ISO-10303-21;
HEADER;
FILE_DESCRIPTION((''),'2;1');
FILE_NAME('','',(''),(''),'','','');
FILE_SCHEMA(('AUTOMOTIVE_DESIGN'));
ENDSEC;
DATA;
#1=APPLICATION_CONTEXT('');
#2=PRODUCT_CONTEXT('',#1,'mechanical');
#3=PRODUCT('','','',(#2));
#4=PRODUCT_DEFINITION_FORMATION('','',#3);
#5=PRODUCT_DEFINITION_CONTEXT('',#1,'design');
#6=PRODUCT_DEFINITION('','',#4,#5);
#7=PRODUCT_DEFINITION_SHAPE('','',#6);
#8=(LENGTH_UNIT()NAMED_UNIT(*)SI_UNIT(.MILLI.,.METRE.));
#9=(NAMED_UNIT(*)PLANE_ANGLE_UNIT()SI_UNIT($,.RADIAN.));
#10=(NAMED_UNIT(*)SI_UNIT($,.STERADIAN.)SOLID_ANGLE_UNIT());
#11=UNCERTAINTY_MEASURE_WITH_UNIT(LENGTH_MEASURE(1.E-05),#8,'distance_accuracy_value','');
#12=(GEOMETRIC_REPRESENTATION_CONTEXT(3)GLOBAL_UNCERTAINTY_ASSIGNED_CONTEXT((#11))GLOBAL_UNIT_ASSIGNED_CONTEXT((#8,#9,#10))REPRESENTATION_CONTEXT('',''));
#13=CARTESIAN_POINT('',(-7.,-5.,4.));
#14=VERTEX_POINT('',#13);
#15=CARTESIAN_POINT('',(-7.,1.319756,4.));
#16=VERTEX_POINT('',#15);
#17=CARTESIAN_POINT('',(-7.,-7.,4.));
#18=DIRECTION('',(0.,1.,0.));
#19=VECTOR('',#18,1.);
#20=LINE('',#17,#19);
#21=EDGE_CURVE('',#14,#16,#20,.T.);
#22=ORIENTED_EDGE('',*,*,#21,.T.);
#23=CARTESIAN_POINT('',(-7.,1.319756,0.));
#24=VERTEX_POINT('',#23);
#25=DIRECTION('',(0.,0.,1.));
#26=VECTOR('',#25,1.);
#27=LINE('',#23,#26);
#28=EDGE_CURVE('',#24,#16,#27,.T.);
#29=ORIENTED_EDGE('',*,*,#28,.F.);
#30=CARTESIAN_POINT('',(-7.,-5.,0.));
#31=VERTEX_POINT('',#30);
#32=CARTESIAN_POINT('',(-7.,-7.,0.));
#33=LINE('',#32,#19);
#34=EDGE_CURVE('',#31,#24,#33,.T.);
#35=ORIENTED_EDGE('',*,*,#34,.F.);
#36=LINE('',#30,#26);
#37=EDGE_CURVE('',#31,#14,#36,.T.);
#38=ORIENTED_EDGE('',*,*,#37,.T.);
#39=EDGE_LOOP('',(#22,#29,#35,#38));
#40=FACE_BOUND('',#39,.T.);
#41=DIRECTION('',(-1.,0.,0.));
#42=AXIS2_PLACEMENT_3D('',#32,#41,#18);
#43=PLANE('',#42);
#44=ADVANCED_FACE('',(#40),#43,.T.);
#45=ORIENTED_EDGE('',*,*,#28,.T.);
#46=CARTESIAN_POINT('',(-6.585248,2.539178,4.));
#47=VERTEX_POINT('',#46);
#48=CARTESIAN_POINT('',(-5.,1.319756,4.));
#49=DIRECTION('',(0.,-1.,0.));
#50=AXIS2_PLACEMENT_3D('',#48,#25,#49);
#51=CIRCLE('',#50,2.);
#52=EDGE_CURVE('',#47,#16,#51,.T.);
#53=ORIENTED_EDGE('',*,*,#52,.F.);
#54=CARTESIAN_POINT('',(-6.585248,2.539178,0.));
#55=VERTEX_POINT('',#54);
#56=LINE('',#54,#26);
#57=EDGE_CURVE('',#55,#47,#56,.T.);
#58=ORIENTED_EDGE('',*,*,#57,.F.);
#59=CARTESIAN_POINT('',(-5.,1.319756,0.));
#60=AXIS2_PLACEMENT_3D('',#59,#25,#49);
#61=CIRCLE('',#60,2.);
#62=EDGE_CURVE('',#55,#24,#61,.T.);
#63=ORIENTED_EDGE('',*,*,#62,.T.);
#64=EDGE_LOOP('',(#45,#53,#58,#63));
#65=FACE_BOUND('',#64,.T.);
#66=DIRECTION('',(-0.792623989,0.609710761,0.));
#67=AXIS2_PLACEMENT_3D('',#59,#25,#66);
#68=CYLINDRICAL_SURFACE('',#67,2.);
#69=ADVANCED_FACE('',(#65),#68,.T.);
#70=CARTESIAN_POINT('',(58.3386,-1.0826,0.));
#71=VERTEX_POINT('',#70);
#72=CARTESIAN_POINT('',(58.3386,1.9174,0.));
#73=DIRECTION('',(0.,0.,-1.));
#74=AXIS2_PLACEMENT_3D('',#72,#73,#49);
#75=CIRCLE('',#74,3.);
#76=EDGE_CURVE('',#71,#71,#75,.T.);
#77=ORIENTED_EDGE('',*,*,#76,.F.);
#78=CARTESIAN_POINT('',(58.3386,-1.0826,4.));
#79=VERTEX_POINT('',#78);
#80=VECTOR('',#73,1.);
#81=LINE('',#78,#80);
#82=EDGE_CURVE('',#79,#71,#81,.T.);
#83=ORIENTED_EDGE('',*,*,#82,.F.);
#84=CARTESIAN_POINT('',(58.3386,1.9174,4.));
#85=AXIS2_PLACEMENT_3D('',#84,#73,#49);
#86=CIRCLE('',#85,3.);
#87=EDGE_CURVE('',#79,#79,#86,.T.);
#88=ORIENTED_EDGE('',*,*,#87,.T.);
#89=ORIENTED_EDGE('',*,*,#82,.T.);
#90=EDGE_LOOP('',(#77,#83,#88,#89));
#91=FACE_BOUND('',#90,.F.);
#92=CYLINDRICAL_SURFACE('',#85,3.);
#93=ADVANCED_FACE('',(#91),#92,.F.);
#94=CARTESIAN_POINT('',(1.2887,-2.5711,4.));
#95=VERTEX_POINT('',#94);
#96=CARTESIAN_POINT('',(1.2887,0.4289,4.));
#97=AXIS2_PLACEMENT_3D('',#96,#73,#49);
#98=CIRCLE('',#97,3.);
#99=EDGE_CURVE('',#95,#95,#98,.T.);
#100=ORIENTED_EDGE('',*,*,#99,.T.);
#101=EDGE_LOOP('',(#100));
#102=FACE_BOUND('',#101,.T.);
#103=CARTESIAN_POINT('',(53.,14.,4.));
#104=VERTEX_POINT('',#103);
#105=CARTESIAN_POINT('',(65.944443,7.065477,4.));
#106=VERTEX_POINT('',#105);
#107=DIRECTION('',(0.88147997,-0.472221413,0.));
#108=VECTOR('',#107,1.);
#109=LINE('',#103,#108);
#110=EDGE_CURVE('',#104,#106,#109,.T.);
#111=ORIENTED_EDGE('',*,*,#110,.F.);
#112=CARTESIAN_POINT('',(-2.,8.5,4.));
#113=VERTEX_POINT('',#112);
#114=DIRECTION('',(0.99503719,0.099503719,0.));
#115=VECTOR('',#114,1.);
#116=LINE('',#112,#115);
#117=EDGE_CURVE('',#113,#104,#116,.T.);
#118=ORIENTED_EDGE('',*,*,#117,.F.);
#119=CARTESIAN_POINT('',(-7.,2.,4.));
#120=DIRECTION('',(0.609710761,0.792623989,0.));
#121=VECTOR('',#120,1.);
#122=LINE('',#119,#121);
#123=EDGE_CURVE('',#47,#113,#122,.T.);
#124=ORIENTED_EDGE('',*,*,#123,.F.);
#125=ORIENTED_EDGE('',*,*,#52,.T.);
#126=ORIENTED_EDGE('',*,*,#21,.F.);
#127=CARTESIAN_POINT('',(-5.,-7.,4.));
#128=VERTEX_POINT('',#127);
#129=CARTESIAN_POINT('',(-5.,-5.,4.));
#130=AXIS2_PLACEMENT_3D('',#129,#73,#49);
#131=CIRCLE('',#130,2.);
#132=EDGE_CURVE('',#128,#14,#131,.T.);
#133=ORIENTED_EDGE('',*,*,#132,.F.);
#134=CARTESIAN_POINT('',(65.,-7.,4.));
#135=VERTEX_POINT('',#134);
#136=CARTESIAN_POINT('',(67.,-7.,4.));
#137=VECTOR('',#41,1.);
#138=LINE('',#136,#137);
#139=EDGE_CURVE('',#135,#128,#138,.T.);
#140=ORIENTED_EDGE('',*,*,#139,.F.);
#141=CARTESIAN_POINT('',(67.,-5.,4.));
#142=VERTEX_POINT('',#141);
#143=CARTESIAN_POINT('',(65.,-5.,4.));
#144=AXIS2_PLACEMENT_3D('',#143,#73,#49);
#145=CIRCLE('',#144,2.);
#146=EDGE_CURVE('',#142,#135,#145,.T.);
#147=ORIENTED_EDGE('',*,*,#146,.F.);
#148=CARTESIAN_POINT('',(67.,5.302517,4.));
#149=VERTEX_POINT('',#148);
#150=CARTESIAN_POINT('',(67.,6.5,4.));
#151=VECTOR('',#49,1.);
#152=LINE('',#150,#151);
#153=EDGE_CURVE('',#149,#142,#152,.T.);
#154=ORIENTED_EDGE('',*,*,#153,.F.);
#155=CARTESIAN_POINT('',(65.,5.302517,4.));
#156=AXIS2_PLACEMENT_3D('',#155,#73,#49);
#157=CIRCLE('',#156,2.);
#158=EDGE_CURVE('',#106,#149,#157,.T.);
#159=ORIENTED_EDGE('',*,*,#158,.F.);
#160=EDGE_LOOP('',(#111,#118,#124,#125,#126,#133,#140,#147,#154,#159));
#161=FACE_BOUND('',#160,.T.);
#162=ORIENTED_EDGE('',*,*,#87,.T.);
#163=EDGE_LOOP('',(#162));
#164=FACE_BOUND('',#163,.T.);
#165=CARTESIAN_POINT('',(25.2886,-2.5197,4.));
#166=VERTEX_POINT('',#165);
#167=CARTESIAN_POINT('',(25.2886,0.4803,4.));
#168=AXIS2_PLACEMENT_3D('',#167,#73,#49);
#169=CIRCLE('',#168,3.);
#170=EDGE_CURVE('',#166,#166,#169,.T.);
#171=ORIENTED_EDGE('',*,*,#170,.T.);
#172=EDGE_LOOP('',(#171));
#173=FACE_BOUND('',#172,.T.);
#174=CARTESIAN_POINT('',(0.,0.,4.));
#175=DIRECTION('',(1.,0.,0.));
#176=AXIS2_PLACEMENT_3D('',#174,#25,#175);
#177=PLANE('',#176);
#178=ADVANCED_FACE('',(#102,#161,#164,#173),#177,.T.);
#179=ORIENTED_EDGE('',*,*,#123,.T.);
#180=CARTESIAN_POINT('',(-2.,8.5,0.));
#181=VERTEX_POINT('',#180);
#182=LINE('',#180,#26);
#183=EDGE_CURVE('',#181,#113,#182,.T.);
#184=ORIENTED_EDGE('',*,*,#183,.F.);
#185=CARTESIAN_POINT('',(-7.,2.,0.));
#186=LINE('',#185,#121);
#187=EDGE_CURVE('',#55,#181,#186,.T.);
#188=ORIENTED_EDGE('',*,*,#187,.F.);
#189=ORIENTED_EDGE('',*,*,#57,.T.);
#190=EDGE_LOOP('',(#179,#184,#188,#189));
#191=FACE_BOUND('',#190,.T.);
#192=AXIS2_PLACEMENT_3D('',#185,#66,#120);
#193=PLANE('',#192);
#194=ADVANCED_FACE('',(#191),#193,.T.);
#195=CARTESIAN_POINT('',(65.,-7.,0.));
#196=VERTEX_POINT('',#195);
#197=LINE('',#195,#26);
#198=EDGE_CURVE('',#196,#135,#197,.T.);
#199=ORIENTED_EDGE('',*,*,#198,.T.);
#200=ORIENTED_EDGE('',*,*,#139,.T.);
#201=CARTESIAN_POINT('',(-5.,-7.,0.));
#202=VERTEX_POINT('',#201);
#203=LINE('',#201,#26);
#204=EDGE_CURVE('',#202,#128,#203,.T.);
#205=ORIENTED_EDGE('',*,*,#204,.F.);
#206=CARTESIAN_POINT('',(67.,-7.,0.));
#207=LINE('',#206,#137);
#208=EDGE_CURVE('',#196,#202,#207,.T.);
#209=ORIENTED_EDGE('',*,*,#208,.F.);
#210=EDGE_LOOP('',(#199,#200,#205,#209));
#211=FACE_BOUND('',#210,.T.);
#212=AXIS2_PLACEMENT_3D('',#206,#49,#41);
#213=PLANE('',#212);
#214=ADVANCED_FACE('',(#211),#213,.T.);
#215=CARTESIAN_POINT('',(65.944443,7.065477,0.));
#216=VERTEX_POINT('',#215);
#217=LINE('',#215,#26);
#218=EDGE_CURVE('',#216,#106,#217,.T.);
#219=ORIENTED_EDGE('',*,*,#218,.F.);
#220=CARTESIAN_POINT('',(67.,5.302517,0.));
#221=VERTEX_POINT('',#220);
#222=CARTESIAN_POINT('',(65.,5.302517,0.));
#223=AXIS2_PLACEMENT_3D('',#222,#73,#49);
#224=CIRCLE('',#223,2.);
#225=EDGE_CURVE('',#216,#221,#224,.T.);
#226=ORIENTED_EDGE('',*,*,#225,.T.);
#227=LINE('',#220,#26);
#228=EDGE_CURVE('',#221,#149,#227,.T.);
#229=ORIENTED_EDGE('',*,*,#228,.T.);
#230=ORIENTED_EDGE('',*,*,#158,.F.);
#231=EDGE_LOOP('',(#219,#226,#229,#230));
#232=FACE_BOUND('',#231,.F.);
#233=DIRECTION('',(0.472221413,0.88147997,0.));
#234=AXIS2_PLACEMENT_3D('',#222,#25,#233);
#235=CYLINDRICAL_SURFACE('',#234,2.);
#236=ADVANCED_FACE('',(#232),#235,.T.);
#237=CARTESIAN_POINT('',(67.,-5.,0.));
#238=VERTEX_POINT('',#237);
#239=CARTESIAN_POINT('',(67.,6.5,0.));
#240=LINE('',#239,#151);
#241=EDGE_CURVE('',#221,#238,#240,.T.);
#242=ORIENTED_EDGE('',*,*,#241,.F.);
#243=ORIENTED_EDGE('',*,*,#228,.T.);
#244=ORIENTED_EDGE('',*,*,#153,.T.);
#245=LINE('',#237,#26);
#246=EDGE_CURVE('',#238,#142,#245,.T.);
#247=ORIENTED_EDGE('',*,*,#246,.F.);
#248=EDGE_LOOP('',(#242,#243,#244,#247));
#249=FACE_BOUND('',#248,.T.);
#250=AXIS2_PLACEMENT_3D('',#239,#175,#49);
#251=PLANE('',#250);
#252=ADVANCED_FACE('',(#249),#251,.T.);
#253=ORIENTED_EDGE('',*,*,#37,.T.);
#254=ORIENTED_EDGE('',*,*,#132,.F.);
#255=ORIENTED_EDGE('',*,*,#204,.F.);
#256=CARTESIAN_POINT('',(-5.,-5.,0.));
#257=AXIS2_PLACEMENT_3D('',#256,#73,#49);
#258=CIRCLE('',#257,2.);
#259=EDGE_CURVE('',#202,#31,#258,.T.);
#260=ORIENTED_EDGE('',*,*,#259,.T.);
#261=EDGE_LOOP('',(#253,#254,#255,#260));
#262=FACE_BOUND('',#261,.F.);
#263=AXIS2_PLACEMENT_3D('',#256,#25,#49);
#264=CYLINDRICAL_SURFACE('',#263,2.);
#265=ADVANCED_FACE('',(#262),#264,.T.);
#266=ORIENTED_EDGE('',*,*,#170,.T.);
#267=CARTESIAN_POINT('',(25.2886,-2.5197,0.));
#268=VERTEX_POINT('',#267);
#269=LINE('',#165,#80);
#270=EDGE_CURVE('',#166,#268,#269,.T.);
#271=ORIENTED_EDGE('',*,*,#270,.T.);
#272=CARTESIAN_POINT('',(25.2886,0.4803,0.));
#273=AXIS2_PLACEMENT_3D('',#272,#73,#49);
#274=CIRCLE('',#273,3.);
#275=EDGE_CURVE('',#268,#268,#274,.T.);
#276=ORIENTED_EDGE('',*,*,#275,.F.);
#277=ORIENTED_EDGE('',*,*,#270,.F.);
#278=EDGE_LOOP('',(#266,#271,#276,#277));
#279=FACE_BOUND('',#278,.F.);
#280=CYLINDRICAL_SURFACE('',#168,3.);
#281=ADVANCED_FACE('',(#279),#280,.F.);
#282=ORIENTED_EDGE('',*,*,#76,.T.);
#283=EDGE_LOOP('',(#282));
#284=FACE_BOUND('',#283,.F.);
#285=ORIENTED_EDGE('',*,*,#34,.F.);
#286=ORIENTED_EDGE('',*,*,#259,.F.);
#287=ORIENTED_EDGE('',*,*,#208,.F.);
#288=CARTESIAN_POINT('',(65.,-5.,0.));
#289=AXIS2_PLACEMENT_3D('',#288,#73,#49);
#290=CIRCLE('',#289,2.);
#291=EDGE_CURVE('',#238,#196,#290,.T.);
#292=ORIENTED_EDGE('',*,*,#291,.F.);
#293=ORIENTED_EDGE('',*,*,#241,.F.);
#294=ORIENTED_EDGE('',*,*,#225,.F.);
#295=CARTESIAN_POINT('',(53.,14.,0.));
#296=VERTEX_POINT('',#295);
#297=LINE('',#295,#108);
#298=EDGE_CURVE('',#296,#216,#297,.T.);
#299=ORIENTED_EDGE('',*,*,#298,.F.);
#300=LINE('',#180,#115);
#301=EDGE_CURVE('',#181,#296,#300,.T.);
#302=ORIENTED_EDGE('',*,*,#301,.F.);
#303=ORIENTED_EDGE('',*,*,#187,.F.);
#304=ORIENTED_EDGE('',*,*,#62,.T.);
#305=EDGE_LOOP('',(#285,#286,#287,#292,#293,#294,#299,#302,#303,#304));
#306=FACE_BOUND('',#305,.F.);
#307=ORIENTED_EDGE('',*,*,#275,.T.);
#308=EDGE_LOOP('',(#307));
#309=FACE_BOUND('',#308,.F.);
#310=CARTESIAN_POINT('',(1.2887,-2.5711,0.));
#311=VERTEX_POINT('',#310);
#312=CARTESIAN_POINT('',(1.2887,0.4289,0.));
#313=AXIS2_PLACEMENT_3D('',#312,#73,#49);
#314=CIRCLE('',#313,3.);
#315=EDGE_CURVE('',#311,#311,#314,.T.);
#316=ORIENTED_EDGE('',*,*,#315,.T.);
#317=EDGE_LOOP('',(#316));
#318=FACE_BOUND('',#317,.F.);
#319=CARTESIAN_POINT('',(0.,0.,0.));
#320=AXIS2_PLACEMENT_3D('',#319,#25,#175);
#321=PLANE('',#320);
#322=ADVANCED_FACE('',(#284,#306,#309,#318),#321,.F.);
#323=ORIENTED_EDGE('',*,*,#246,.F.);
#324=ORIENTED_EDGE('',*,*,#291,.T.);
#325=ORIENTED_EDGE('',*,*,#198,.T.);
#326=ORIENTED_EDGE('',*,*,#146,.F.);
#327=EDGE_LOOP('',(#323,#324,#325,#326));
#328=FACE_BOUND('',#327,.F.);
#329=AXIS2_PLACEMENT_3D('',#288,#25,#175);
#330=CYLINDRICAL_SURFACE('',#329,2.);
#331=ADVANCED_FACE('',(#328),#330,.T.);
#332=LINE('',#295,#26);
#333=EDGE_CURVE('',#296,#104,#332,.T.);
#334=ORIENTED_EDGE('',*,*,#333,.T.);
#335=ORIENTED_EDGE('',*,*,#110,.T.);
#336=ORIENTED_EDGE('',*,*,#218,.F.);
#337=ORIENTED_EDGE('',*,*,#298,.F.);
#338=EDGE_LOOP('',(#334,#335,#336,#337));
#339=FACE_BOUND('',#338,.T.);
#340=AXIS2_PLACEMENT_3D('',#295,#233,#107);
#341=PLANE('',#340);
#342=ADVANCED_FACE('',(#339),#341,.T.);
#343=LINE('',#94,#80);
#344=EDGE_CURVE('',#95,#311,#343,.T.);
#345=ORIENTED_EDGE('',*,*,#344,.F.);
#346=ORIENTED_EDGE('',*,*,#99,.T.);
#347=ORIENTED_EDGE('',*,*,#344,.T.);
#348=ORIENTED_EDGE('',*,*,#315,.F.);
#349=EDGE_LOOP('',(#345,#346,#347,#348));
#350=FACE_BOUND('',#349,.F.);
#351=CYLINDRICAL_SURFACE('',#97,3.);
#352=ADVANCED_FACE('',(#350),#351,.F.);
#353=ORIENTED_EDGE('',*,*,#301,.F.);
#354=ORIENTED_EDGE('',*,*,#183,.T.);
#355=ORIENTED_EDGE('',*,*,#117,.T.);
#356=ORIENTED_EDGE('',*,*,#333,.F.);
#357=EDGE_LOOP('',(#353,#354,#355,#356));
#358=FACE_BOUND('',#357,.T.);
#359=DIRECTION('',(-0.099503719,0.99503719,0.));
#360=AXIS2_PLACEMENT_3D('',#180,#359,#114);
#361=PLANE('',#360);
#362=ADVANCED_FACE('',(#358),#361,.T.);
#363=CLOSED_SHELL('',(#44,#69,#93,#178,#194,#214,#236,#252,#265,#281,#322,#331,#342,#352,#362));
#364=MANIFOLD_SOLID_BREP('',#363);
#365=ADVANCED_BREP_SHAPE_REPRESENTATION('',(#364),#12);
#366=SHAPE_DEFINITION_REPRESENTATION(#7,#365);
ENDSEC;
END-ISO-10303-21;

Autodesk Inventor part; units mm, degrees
ref_plane "YZ Plane" through (0, 0, 0) normal (1, 0, 0) x (0, 1, 0)
ref_plane "XZ Plane" through (0, 0, 0) normal (0, 1, 0) x (-1, 0, 0)
ref_plane "XY Plane" through (0, 0, 0) normal (0, 0, 1) x (1, 0, 0)
sketch "Body" plane through (0, 0, 0) normal (0, 0, 1) x (1, 0, 0)
  line L0 (0, 0) -> (60, 0) construction
  line L1 (-7, 2) -> (-2, 8.5)
  line L2 (-2, 8.5) -> (53, 14)
  line L3 (53, 14) -> (67, 6.5)
  line L4 (67, 6.5) -> (67, -7)
  line L5 (67, -7) -> (-7, -7)
  line L6 (-7, -7) -> (-7, 2)
  dimension "d1" = 60
  dimension "d2" = 7
  dimension "d4" = 7
  dimension "d5" = 7
  dimension "d6" = 14
  dimension "d8" = 13.5
  dimension "d9" = 9
  dimension "d13" = 8.5
  dimension "d14" = 5
  dimension "d15" = 14
extrude "BodyFeature" add sketch "Body" along normal blind 4
fillet "FilletsFeature" radius 2 4 edges at (-7, -7, 2) (67, -7, 2) (-7, 2, 2) (67, 6.5, 2)
sketch "MountHoles" plane through (0, 0, 4) normal (0, 0, 1) x (1, 0, 0)
  circle A0 centre (1.2887, 0.4289) radius 3.25 projected
  circle A1 centre (25.2886, 0.4803) radius 3.25 projected
  circle A2 centre (58.3386, 1.9174) radius 3.25 projected
hole "MountHolesFeature" at (1.2887, 0.4289, 4) at (25.2886, 0.4803, 4) at (58.3386, 1.9174, 4) direction (0, 0, -1) diameter 6 end through all
properties part number "SpineNeckLinkConnector"
